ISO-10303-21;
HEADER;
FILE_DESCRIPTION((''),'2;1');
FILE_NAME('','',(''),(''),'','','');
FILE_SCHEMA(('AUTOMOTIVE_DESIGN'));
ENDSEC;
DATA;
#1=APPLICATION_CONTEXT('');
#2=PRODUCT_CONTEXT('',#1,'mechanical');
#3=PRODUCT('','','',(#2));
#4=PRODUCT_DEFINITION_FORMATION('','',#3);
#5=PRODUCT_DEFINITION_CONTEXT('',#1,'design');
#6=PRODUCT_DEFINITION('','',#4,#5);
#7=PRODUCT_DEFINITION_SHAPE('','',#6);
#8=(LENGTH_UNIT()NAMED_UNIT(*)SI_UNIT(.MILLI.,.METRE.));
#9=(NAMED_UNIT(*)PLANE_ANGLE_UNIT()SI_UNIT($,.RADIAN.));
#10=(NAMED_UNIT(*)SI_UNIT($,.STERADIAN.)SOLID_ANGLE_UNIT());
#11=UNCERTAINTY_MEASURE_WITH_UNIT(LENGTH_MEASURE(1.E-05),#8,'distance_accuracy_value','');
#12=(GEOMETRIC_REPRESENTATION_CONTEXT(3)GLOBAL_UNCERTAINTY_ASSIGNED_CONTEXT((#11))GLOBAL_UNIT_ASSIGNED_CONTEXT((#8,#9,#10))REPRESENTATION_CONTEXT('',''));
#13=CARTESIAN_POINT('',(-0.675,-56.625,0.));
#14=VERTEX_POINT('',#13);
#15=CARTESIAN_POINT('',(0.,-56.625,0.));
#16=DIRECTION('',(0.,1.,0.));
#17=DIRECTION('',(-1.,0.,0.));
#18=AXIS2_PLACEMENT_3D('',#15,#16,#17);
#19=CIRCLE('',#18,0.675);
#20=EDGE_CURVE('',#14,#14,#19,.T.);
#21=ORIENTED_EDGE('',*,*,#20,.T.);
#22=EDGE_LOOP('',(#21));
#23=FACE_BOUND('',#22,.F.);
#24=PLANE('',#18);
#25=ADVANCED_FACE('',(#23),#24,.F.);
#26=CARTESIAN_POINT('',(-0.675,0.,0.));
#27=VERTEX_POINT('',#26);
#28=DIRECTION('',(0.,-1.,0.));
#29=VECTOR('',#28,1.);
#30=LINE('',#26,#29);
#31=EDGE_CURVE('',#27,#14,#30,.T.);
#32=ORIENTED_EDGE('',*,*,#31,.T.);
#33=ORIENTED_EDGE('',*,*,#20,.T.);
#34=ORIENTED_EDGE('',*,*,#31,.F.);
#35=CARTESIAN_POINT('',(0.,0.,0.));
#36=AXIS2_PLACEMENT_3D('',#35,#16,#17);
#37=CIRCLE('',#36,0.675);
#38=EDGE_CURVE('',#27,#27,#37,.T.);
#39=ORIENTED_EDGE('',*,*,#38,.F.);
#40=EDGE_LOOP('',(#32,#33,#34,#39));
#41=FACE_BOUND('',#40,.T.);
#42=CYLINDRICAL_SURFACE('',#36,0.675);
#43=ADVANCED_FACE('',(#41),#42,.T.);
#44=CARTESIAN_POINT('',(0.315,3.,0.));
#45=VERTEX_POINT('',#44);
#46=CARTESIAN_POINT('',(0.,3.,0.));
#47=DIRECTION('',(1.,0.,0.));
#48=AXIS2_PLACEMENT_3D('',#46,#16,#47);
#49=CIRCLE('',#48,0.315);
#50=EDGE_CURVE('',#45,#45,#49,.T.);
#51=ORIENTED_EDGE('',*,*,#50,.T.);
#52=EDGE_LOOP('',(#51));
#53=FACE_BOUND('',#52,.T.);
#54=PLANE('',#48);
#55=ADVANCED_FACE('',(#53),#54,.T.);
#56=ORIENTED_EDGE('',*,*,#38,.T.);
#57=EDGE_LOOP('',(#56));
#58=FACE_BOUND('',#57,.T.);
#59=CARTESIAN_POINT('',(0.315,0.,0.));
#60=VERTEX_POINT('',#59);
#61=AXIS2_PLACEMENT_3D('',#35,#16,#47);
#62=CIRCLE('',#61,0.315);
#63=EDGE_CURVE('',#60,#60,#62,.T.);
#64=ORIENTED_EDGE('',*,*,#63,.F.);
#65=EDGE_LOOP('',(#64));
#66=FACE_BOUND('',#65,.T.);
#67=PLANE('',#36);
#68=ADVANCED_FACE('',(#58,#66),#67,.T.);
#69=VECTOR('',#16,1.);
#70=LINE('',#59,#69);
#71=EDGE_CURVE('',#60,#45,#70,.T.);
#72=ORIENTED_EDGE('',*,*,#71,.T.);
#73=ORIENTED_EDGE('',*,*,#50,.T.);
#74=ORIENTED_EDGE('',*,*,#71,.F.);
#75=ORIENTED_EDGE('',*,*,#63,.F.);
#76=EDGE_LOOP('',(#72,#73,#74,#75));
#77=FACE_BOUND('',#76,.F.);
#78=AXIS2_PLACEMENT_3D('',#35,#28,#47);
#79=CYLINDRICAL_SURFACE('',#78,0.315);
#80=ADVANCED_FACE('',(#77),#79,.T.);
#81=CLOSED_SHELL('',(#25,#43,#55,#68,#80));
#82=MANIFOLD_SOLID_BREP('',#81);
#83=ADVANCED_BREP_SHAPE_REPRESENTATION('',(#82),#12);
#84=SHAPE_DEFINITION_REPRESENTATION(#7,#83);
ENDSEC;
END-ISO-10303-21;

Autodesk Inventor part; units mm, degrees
ref_plane "YZ Plane" through (0, 0, 0) normal (1, 0, 0) x (0, 1, 0)
ref_plane "XZ Plane" through (0, 0, 0) normal (0, 1, 0) x (-1, 0, 0)
ref_plane "XY Plane" through (0, 0, 0) normal (0, 0, 1) x (1, 0, 0)
sketch "Sketch1" plane through (0, 0, 0) normal (0, 1, 0) x (-1, 0, 0)
  circle A0 centre (0, 0) radius 0.675
  dimension "d0" = 1.35
extrude "Extrusion1" add sketch "Sketch1" against normal blind 56.625
sketch "Sketch2" plane through (0, 0, 0) normal (0, 1, 0) x (1, 0, 0)
  circle A0 centre (0, 0) radius 0.315
  dimension "d3" = 0.63
extrude "Extrusion2" add sketch "Sketch2" along normal blind 3
properties part number "blackWire"
